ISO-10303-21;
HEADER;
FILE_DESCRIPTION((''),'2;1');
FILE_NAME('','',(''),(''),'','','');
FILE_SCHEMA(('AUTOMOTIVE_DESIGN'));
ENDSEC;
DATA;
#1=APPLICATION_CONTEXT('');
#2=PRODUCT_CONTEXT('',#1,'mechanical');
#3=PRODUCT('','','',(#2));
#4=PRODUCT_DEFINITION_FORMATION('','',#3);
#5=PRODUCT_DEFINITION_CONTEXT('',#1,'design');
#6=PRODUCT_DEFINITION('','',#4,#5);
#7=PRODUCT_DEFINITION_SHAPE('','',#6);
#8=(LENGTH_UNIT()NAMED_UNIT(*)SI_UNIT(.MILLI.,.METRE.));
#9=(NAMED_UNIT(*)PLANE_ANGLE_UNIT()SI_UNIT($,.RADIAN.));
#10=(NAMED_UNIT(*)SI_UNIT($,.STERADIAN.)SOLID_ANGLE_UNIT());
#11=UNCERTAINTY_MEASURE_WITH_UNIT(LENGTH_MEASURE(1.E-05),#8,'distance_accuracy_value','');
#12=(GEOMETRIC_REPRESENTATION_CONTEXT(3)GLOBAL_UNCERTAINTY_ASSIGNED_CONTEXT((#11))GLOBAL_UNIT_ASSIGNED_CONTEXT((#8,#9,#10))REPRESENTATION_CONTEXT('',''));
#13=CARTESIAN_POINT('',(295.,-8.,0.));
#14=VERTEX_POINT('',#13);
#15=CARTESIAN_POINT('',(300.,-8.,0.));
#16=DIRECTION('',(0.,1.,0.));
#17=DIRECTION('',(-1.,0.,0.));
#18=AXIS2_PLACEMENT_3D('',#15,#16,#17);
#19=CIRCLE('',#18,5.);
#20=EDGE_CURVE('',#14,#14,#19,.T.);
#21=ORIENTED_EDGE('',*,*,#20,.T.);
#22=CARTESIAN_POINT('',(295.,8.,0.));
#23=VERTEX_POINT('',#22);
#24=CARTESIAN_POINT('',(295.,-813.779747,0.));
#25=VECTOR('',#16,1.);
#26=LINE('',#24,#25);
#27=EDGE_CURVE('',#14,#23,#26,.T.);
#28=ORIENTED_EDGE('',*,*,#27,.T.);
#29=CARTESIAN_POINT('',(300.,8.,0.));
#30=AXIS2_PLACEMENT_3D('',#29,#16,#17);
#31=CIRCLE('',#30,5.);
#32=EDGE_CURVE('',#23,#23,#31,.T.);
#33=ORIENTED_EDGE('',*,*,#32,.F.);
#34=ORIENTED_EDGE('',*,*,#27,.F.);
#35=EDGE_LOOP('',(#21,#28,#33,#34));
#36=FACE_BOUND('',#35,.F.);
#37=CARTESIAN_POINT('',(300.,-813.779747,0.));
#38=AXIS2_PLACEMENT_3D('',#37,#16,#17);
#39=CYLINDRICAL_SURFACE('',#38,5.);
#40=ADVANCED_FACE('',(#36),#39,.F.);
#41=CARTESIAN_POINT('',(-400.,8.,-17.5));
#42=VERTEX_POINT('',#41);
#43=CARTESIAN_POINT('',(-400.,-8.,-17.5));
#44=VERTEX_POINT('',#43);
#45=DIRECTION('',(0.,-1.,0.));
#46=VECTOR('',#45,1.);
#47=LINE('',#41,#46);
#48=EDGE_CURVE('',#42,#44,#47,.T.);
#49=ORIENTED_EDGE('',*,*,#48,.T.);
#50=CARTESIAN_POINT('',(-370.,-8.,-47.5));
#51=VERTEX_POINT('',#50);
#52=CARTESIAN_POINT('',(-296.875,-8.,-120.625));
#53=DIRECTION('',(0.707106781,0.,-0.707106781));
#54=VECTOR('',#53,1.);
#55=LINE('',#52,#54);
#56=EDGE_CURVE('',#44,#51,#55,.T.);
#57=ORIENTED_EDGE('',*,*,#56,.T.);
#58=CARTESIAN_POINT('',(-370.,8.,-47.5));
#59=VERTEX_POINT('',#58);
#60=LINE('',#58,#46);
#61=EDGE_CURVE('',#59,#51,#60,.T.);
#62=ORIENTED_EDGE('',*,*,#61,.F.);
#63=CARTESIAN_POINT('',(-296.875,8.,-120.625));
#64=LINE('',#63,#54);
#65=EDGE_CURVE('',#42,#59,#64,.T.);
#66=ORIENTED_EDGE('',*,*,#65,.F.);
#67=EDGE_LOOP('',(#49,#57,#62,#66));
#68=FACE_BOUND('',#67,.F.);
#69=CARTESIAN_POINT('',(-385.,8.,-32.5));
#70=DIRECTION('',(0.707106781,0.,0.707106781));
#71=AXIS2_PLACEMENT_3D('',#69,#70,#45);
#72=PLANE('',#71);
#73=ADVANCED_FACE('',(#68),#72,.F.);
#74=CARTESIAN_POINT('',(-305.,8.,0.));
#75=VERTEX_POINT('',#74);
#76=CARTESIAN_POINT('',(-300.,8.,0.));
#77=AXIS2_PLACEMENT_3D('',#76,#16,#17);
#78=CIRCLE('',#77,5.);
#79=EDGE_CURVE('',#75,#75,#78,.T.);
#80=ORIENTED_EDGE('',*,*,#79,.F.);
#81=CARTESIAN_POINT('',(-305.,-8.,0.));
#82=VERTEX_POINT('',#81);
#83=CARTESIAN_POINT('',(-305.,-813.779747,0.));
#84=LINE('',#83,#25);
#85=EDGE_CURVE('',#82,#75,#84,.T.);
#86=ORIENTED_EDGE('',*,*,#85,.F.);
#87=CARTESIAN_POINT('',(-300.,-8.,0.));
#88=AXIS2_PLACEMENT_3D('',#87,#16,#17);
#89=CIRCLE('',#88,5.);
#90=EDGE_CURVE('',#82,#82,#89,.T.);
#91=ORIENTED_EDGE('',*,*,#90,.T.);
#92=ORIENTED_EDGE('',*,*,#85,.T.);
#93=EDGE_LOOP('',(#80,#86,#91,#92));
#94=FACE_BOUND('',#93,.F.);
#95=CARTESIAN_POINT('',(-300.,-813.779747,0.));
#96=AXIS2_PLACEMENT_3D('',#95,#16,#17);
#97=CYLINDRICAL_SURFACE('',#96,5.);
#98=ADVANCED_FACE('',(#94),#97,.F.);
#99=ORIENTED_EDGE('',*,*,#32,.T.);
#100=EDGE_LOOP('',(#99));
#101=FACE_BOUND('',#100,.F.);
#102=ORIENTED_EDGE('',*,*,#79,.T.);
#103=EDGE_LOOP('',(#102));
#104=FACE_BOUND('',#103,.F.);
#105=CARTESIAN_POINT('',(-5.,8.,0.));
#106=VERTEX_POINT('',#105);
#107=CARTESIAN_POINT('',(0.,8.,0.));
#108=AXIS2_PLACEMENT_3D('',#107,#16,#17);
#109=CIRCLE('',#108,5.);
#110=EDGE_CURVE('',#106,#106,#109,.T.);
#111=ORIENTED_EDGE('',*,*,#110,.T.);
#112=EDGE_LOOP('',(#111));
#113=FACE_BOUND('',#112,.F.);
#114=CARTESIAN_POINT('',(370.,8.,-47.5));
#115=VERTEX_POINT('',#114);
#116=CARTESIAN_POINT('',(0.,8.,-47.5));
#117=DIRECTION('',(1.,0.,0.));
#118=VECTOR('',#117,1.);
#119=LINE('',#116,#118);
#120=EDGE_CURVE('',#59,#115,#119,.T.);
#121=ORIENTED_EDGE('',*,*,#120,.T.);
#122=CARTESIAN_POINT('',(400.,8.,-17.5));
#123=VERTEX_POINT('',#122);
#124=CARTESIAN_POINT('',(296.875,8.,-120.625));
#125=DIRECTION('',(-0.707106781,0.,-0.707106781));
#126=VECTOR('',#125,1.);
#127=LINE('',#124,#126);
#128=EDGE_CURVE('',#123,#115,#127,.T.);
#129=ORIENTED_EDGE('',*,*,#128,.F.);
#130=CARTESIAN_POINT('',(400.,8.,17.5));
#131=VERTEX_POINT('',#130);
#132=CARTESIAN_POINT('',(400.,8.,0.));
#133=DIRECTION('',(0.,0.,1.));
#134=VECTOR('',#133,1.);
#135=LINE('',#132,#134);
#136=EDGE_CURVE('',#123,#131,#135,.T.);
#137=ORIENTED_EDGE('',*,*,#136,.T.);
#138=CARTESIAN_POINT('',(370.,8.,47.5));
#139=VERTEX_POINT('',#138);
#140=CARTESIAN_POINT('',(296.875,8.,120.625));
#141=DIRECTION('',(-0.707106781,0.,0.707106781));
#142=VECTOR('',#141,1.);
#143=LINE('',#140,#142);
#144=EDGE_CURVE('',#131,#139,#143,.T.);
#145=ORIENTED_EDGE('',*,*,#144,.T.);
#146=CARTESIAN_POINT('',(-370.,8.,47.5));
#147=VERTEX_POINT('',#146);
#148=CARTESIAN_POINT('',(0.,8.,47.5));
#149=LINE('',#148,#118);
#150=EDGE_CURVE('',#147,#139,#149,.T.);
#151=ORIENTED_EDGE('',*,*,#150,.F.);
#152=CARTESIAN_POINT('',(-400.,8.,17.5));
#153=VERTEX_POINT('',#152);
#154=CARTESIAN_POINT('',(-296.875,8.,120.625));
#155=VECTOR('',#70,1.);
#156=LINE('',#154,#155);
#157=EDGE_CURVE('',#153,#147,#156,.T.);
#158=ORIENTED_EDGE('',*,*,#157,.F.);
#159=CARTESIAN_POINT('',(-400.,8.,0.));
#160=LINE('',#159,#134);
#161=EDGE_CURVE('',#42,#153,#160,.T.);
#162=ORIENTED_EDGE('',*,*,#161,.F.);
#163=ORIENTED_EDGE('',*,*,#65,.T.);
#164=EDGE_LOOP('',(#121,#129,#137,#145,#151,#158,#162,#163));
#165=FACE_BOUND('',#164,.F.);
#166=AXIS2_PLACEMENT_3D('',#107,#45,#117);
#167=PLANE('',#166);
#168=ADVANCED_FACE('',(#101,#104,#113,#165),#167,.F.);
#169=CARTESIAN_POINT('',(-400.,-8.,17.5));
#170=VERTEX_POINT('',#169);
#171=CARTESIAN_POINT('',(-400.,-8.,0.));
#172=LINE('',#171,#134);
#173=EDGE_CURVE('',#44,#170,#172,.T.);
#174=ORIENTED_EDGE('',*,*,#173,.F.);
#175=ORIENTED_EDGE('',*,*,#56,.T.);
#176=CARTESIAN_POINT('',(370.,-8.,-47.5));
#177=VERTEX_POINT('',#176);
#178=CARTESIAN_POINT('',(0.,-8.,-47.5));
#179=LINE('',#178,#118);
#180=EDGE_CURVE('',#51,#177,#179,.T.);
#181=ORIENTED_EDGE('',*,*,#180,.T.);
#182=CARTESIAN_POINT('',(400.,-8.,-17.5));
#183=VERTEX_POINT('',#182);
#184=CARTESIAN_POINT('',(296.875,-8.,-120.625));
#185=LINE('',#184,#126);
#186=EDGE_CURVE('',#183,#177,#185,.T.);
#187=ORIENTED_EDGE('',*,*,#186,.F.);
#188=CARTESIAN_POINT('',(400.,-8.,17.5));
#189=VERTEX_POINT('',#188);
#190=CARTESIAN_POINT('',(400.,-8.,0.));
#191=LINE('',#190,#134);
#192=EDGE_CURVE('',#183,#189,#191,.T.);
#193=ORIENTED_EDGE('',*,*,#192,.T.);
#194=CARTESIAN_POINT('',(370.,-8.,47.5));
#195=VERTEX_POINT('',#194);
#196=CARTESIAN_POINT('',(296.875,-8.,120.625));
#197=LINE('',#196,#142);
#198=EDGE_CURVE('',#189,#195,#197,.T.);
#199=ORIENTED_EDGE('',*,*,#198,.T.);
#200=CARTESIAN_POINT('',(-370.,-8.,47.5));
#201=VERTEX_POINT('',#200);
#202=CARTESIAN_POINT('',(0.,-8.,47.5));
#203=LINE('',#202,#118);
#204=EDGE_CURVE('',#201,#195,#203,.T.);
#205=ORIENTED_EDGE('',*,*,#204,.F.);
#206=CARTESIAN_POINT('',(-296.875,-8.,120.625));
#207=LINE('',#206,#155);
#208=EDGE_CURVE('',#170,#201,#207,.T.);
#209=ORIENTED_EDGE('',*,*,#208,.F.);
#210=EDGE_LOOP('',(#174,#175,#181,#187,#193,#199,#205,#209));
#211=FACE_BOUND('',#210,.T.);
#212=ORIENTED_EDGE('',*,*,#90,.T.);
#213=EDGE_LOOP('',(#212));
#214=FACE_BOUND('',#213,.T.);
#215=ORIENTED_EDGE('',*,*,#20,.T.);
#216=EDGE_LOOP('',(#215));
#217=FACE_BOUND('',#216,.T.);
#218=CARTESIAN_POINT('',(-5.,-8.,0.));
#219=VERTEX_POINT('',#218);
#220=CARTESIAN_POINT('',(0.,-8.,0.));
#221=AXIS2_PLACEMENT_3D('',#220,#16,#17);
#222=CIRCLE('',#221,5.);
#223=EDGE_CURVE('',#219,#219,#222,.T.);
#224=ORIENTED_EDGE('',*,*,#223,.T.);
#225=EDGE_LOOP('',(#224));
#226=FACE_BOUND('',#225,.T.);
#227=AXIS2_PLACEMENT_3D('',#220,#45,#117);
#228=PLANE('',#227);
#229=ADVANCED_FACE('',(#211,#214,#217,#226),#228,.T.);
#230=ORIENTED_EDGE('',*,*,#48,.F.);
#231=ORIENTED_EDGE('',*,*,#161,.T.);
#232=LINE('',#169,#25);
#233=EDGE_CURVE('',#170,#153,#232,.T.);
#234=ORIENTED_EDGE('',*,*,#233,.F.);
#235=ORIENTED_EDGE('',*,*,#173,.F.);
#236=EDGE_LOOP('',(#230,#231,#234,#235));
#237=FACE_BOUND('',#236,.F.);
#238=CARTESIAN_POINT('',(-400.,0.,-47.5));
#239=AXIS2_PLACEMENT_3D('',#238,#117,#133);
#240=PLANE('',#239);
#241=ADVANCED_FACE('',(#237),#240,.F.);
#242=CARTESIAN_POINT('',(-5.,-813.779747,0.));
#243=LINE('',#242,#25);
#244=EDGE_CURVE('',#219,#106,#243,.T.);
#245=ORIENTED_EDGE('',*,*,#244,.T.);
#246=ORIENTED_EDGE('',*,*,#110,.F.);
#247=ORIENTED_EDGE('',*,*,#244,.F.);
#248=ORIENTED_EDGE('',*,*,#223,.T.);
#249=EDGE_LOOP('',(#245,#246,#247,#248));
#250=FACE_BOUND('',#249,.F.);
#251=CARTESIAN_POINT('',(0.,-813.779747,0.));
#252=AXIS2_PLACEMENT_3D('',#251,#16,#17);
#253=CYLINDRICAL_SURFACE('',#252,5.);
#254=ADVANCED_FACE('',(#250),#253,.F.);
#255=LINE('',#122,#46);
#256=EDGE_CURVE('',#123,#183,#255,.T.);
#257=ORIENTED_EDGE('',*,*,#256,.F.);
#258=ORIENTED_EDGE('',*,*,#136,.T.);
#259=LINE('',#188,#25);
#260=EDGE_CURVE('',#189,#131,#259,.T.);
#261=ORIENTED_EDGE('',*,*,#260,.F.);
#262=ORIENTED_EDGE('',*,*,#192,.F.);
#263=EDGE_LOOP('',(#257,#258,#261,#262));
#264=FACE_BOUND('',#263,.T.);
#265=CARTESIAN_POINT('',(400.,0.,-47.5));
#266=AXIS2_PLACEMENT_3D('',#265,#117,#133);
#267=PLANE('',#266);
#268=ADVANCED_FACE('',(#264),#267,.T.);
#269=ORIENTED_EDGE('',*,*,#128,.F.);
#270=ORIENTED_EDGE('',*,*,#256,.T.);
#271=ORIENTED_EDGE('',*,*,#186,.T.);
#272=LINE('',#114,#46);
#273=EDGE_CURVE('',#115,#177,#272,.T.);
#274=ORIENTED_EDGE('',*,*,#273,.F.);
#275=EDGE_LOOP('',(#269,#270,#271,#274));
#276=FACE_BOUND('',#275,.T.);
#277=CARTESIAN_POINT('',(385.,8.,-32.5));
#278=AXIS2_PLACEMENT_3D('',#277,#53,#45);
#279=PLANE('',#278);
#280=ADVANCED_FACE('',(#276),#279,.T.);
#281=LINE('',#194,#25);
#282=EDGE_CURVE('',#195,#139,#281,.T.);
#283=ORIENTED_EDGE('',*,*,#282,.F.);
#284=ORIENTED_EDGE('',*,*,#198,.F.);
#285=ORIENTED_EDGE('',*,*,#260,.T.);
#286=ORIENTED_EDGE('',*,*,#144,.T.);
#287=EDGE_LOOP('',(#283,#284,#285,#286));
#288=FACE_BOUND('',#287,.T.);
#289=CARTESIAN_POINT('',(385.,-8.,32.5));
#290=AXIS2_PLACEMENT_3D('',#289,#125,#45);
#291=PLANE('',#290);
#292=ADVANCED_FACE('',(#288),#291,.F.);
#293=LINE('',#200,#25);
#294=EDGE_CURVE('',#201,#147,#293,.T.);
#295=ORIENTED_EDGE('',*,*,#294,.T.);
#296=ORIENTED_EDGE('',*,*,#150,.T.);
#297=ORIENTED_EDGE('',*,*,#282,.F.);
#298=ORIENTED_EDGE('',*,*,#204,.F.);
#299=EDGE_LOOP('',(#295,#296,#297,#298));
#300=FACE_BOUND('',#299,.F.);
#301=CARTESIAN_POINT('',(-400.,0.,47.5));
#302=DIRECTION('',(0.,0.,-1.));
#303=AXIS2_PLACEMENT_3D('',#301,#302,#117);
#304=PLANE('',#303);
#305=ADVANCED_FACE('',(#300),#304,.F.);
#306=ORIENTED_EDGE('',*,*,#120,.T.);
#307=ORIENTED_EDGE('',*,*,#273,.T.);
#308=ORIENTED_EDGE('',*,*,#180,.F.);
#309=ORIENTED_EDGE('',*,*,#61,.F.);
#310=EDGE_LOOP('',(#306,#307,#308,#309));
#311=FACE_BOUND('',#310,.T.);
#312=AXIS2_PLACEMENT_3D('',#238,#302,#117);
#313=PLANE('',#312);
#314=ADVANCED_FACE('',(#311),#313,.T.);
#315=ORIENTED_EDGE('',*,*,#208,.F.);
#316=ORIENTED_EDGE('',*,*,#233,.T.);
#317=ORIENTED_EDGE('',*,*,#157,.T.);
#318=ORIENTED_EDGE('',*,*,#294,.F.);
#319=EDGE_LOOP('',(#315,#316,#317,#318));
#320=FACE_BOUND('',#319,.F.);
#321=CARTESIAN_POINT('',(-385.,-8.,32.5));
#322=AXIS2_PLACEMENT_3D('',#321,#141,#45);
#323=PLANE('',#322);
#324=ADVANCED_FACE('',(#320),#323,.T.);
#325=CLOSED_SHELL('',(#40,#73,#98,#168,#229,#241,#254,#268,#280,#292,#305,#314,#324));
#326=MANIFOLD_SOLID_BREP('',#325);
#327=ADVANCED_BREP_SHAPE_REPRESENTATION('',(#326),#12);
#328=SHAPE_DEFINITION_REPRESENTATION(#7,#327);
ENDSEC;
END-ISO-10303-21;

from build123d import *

# Parameters (mm, degrees)
F0_W     = 800
F0_H     = 95
F1_DEPTH = 8
F2_SIZE  = 30
F4_D     = 10


with BuildPart() as f1:
    # F0 (on Front) → F1 (new body, symmetric)
    with BuildSketch(Plane.XZ):
        Rectangle(F0_W, F0_H)
    extrude(amount=F1_DEPTH, both=True)

    # F2
    f2_edges = [f1.edges().sort_by_distance(p)[0] for p in [
        (-400, 0, -47.5),
        (-400, 0, 47.5),
        (400, 0, -47.5),
        (400, 0, 47.5),
    ]]
    chamfer(f2_edges, length=F2_SIZE)

    # F4 (through all)
    with Locations(Plane.XZ.offset(8)):
        with Locations((0, 0), (300, 0), (-300, 0)):
            Hole(F4_D / 2)


solid = f1.part
